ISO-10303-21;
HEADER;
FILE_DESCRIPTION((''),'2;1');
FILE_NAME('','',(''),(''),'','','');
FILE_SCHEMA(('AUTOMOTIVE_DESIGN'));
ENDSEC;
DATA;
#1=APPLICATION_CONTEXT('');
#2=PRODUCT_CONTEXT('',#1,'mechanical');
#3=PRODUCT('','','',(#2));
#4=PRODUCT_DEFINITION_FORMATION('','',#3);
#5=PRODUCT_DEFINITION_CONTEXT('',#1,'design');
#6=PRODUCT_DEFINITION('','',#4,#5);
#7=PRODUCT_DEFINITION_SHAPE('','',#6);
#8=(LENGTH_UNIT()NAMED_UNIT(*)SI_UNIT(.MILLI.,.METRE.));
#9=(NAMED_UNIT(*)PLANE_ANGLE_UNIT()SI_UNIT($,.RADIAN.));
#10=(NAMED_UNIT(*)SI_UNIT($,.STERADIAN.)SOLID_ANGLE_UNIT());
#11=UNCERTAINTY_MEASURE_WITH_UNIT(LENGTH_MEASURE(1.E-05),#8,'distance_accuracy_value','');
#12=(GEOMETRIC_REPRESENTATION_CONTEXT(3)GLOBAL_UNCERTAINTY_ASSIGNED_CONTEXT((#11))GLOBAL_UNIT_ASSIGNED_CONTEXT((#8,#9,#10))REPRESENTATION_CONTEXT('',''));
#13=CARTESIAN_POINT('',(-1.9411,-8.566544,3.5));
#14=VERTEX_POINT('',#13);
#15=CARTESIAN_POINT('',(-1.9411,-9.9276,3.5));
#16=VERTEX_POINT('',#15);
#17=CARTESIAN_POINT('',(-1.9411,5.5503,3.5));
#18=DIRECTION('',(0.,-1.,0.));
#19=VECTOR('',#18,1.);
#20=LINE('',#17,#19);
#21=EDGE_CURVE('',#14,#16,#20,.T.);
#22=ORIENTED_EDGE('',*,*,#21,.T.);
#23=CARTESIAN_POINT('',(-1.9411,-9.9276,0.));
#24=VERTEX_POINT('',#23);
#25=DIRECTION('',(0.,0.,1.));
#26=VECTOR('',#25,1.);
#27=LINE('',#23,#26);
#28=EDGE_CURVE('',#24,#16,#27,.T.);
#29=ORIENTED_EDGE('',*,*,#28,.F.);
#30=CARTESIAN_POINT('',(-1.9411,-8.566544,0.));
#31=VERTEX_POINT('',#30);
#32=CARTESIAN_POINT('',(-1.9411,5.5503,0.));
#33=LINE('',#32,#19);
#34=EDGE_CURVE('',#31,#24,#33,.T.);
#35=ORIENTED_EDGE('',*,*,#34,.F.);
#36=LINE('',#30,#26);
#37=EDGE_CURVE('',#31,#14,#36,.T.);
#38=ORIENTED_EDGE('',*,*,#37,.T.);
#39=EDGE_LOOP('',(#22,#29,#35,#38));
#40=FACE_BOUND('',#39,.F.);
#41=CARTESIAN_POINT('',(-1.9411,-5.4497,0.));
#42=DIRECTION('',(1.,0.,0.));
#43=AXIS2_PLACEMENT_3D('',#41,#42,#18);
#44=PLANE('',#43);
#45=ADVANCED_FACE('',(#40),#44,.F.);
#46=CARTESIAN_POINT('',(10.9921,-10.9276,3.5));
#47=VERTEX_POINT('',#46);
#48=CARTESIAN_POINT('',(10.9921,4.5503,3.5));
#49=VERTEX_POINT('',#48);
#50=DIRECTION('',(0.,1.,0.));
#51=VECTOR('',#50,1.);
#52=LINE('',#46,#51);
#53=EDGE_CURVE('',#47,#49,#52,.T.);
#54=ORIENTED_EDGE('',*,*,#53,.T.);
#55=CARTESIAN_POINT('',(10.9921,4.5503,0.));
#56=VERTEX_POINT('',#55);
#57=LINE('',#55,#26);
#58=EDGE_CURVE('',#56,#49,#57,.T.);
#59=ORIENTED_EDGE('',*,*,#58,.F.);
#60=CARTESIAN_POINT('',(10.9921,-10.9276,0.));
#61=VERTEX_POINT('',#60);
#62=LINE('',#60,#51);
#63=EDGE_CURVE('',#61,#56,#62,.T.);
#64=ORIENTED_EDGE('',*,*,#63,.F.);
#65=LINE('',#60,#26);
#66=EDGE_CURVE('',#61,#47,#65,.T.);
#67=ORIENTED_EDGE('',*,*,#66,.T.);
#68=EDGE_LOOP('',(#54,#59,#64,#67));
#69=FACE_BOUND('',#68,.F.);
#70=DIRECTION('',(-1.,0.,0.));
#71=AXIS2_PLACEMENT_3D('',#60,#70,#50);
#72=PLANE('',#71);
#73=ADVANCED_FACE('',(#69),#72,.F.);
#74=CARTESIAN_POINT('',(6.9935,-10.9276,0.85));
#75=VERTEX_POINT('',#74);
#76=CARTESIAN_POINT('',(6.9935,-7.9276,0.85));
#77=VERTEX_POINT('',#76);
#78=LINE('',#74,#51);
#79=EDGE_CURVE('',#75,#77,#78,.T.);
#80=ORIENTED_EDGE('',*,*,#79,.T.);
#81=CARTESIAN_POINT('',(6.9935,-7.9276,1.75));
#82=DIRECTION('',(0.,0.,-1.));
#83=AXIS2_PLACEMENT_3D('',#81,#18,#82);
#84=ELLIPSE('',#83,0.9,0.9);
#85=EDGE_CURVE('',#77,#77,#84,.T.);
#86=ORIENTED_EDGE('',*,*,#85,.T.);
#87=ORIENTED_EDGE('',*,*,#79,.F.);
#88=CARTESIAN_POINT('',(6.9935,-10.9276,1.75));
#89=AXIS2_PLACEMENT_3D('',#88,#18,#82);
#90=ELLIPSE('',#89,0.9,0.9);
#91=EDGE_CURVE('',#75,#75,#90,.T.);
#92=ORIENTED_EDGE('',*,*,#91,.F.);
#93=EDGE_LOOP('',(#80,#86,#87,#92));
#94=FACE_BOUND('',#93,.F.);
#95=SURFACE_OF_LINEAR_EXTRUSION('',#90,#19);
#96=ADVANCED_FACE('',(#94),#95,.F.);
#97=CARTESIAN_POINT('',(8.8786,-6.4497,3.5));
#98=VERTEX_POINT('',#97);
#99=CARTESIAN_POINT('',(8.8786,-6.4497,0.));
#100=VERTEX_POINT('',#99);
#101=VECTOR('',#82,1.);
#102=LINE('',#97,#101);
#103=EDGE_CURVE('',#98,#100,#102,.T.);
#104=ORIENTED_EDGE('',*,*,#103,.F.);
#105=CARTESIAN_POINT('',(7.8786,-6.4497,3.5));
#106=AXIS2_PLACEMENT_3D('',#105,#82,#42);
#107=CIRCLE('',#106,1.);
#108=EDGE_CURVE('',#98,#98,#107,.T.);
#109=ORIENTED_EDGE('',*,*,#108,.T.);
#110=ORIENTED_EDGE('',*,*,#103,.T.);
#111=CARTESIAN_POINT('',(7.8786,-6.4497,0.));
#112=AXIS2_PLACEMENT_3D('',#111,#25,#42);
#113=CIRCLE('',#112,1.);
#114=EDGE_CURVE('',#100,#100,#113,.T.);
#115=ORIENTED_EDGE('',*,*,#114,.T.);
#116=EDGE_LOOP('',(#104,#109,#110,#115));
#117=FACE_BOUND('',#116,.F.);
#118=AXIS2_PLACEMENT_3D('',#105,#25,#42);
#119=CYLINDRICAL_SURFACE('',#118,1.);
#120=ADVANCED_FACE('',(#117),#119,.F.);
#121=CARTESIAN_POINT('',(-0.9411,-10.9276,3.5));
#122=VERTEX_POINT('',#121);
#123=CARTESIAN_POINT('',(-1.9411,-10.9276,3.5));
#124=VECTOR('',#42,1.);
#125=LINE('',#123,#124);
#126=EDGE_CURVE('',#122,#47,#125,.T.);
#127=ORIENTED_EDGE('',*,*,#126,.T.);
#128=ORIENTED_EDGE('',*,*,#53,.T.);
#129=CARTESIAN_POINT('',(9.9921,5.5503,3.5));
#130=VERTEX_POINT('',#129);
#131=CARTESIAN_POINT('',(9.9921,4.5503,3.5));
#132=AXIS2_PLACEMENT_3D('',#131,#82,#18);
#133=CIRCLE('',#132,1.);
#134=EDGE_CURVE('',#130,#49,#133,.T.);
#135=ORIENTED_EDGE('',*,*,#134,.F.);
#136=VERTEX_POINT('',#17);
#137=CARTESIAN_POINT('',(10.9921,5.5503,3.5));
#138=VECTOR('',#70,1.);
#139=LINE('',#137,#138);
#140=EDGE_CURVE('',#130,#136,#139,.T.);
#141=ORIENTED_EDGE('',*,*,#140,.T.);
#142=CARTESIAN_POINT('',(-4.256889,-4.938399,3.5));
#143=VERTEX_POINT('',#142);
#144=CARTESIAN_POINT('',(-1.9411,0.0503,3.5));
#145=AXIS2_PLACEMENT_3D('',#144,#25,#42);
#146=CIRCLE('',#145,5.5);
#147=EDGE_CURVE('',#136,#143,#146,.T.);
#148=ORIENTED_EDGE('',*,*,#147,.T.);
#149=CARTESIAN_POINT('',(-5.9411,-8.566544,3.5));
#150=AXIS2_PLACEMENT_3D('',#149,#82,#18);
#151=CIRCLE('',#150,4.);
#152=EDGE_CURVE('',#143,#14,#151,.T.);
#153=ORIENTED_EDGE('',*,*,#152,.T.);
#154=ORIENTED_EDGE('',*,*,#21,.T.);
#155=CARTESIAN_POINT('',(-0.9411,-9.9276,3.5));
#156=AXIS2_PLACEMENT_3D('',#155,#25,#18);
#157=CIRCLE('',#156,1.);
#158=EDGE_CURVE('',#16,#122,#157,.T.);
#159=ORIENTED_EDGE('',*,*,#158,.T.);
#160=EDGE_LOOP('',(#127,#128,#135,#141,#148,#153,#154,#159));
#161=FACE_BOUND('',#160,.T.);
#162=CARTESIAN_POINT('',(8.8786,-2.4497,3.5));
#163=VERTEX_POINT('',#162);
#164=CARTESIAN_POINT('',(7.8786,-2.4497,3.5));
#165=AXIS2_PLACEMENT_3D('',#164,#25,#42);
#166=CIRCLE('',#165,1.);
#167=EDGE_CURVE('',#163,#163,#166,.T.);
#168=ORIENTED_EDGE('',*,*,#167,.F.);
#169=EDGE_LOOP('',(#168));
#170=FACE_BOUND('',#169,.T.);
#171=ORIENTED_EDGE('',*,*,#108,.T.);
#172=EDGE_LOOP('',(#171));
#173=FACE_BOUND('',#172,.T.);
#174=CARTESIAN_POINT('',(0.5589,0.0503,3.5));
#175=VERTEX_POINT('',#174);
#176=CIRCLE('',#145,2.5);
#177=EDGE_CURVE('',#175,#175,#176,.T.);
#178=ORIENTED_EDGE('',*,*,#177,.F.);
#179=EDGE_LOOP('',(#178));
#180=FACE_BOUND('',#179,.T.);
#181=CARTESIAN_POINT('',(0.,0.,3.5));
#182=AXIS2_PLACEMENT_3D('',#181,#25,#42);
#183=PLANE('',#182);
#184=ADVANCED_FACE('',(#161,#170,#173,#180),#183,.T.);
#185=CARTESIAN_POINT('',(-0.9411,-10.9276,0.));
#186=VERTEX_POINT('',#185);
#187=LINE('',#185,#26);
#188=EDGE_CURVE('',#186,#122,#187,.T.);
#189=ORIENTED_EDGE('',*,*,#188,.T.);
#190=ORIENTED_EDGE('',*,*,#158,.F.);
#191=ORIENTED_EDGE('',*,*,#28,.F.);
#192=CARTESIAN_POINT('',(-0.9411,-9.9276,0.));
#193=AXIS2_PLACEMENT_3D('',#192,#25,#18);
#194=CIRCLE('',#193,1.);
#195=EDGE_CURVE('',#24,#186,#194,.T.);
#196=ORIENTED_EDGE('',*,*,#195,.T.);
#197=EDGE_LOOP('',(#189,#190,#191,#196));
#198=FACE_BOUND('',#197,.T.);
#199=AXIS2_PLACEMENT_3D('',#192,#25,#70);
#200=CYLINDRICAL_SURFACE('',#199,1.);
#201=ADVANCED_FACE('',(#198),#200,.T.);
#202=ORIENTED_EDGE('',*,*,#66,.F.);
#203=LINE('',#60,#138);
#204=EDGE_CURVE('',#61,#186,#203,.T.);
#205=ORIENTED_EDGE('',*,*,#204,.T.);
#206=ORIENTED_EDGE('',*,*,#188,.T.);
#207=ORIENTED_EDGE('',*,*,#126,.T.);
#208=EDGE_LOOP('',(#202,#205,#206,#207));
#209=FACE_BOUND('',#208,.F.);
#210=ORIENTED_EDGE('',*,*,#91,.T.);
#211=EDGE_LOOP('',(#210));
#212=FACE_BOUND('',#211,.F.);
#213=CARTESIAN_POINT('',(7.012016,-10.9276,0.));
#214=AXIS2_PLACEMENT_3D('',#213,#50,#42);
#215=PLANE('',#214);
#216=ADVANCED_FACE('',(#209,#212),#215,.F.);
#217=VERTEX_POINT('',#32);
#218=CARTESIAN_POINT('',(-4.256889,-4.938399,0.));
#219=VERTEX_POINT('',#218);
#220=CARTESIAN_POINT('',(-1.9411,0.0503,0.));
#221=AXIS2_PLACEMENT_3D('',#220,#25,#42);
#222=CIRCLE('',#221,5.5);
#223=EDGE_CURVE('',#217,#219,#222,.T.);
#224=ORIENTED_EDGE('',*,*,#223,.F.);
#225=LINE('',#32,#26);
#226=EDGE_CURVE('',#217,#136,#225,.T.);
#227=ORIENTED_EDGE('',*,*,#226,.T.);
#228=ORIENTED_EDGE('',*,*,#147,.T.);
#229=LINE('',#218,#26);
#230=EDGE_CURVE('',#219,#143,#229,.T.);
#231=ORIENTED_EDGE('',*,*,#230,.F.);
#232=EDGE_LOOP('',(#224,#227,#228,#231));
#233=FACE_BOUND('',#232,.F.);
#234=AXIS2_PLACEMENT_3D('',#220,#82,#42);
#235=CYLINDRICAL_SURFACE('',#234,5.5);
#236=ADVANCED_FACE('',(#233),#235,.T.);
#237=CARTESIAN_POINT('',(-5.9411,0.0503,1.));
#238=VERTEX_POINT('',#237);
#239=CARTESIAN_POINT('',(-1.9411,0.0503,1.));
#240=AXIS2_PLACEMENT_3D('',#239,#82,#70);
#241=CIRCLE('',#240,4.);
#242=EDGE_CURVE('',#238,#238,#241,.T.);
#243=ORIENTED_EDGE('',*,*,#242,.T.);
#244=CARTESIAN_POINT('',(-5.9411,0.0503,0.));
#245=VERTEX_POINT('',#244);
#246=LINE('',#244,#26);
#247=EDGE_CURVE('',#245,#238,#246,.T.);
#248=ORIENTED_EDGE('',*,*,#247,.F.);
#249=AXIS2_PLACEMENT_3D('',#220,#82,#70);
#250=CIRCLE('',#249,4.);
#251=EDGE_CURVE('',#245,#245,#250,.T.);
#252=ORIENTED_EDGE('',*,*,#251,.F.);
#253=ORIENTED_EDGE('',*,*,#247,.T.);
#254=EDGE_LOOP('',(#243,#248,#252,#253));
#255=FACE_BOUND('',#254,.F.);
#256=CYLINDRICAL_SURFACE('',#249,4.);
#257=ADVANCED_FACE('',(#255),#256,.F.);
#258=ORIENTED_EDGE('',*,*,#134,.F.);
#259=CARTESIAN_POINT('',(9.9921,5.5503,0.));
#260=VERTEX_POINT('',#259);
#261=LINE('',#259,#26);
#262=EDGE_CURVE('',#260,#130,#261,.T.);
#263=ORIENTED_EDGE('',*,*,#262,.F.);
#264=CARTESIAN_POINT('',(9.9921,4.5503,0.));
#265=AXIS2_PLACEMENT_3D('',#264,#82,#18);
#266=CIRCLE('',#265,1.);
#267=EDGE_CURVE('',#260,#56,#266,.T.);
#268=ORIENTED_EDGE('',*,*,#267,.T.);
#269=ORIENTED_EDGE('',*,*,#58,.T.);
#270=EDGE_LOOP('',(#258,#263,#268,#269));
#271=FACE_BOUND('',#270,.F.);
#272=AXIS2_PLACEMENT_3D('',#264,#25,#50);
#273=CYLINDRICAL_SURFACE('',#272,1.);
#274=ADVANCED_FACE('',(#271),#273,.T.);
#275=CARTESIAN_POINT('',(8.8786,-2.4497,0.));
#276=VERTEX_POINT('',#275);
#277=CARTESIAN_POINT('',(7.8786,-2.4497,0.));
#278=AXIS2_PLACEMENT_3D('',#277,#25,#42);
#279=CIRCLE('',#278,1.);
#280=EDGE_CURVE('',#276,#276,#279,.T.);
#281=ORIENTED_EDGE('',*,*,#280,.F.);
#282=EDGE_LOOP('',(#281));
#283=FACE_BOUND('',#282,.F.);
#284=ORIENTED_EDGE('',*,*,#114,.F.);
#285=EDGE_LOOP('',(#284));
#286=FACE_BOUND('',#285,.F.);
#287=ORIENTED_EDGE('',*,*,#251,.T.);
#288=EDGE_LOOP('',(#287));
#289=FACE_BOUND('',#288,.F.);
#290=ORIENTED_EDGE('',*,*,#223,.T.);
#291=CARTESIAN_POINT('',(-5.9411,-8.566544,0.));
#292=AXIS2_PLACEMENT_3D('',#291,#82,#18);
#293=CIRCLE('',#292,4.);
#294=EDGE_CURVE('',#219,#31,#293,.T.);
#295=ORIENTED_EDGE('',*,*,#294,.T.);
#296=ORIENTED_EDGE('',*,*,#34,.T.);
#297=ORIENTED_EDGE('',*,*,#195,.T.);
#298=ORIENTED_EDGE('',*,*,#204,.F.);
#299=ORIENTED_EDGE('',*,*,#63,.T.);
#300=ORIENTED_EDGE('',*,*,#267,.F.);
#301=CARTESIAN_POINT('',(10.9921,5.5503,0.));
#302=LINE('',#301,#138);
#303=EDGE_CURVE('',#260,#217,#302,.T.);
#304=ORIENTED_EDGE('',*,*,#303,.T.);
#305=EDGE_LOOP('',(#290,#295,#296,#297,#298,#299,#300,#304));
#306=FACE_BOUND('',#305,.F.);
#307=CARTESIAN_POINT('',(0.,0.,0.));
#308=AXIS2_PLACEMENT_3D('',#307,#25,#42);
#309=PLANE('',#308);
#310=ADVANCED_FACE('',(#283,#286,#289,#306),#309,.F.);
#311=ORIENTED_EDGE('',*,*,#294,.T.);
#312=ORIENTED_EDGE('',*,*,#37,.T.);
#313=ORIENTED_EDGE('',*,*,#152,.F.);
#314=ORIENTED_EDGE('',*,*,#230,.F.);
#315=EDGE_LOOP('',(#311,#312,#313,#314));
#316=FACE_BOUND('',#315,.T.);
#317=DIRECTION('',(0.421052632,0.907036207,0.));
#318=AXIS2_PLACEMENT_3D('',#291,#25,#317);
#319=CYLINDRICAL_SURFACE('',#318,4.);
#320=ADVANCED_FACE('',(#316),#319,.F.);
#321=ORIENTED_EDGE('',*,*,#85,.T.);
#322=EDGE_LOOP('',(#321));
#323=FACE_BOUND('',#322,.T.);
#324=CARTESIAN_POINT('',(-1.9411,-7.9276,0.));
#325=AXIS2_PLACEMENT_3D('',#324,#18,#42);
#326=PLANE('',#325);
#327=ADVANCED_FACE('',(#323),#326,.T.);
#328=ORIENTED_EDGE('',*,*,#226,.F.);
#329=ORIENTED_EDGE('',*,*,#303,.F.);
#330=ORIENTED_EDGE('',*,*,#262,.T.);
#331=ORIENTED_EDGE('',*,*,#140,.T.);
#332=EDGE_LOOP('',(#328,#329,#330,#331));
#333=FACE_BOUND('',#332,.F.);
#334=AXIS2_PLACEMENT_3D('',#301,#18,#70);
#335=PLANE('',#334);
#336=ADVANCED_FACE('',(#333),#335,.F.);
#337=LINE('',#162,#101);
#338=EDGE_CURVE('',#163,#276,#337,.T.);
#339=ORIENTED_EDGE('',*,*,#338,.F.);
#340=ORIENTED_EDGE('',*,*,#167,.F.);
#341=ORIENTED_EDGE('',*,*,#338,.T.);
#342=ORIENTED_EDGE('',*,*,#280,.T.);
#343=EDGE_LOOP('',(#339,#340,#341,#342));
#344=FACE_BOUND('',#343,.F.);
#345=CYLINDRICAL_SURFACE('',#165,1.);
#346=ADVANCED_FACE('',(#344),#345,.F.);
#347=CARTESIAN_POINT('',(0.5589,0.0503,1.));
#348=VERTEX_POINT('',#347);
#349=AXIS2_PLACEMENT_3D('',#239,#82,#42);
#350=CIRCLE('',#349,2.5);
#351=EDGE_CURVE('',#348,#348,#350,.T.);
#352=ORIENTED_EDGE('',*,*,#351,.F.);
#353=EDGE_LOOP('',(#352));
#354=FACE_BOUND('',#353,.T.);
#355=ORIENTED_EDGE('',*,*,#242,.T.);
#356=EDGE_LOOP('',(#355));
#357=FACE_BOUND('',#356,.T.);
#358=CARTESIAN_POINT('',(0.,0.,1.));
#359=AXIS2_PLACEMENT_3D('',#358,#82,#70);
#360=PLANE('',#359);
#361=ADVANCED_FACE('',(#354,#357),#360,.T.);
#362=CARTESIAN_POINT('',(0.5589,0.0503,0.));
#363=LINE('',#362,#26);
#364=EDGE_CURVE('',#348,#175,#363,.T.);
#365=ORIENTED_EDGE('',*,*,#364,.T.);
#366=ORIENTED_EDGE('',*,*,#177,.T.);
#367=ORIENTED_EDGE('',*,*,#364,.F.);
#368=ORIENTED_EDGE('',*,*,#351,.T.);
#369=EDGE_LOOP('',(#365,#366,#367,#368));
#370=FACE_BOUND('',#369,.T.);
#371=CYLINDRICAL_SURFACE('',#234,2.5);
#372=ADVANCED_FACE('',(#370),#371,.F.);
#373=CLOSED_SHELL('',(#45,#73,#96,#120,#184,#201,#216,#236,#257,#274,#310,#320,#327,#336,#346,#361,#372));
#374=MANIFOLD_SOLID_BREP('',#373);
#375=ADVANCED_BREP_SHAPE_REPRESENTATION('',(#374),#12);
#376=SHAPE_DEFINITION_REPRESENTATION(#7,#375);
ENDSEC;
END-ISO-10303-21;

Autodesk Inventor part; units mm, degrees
ref_plane "YZ Plane" through (0, 0, 0) normal (1, 0, 0) x (0, 1, 0)
ref_plane "XZ Plane" through (0, 0, 0) normal (0, 1, 0) x (-1, 0, 0)
ref_plane "XY Plane" through (0, 0, 0) normal (0, 0, 1) x (1, 0, 0)
sketch "草图1" plane through (0, 0, 0) normal (0, 0, 1) x (1, 0, 0)
  circle A0 centre (-1.9411, 0.0503) radius 2.5
  line L0 (4.3454, -10.9196) -> (9.6453, -10.9355) projected
  circle A1 centre (-1.9411, 0.0503) radius 5.5
  line L1 (-1.9411, -10.9276) -> (10.9921, -10.9276)
  line L2 (10.9921, -10.9276) -> (10.9921, 5.5503)
  line L3 (10.9921, 5.5503) -> (-1.9411, 5.5503)
  line L4 (-1.9411, 5.5503) -> (-1.9411, -10.9276)
  point P0 (6.9953, -10.9276)
  point P1 (-1.9411, 5.5503)
  point P2 (-1.9411, -5.4497)
  dimension "d3" = 3
  dimension "d5" = 5
extrude "拉伸1" add sketch "草图1" along normal blind 3.5 contours A0 L4 A1 | A0 L4 A1 | L3 L2 L1 L4 A1
fillet "圆角1" radius 4 1 edges at (-1.9411, -5.4497, 1.75)
sketch "草图2" plane through (0, 0, 0) normal (0, 0, -1) x (-1, 0, 0)
  point P0 (0, 0)
sketch "草图3" plane through (0, 0, 0) normal (0, 0, -1) x (-1, 0, 0)
  circle A0 centre (1.9411, 0.0503) radius 2.5 projected
  circle A1 centre (1.9411, 0.0503) radius 4
  point P0 (0, 0)
  dimension "d6" = 8
extrude "拉伸2" cut sketch "草图3" against normal blind 1 contours A0 | A1
sketch "草图4" plane through (-1.9411, -10.9276, 0) normal (0, -1, 0) x (1, 0, 0)
  ellipse E0 centre (8.9346, 1.75) end of major axis (8.9346, 0.85) minor radius 0.9 projected
  point P0 (1.9411, 0)
extrude "拉伸3" cut sketch "草图4" against normal blind 3
fillet "圆角2" radius 1 2 edges at (10.9921, 5.5503, 1.75) (-1.9411, -10.9276, 1.75)
sketch "草图5" plane through (0, 0, 3.5) normal (0, 0, 1) x (1, 0, 0)
  line L0 (15.1126, -4.4497) -> (15.1126, -8.4497) projected
  line L1 (5.3617, -4.4497) -> (15.1126, -4.4497) projected
  line L2 (5.3617, -8.4497) -> (5.3617, -4.4497) projected
  line L3 (5.3617, -8.4497) -> (15.1126, -8.4497) projected
  line L4 (5.3617, -6.4497) -> (10.3955, -6.4497)
  circle A0 centre (7.8786, -6.4497) radius 1
  circle A1 centre (7.8786, -6.4497) radius 1 projected
  point P0 (0, 0)
  dimension "d12" = 2
extrude "拉伸4" cut sketch "草图5" against normal blind 5.5 contours A0 L4 | L4 A0
sketch "草图6" plane through (0, 0, 3.5) normal (0, 0, 1) x (1, 0, 0)
  circle A0 centre (7.8786, -2.4497) radius 1 projected
  point P0 (0, 0)
extrude "拉伸5" cut sketch "草图6" against normal blind 10
properties part number "针头装配体"
